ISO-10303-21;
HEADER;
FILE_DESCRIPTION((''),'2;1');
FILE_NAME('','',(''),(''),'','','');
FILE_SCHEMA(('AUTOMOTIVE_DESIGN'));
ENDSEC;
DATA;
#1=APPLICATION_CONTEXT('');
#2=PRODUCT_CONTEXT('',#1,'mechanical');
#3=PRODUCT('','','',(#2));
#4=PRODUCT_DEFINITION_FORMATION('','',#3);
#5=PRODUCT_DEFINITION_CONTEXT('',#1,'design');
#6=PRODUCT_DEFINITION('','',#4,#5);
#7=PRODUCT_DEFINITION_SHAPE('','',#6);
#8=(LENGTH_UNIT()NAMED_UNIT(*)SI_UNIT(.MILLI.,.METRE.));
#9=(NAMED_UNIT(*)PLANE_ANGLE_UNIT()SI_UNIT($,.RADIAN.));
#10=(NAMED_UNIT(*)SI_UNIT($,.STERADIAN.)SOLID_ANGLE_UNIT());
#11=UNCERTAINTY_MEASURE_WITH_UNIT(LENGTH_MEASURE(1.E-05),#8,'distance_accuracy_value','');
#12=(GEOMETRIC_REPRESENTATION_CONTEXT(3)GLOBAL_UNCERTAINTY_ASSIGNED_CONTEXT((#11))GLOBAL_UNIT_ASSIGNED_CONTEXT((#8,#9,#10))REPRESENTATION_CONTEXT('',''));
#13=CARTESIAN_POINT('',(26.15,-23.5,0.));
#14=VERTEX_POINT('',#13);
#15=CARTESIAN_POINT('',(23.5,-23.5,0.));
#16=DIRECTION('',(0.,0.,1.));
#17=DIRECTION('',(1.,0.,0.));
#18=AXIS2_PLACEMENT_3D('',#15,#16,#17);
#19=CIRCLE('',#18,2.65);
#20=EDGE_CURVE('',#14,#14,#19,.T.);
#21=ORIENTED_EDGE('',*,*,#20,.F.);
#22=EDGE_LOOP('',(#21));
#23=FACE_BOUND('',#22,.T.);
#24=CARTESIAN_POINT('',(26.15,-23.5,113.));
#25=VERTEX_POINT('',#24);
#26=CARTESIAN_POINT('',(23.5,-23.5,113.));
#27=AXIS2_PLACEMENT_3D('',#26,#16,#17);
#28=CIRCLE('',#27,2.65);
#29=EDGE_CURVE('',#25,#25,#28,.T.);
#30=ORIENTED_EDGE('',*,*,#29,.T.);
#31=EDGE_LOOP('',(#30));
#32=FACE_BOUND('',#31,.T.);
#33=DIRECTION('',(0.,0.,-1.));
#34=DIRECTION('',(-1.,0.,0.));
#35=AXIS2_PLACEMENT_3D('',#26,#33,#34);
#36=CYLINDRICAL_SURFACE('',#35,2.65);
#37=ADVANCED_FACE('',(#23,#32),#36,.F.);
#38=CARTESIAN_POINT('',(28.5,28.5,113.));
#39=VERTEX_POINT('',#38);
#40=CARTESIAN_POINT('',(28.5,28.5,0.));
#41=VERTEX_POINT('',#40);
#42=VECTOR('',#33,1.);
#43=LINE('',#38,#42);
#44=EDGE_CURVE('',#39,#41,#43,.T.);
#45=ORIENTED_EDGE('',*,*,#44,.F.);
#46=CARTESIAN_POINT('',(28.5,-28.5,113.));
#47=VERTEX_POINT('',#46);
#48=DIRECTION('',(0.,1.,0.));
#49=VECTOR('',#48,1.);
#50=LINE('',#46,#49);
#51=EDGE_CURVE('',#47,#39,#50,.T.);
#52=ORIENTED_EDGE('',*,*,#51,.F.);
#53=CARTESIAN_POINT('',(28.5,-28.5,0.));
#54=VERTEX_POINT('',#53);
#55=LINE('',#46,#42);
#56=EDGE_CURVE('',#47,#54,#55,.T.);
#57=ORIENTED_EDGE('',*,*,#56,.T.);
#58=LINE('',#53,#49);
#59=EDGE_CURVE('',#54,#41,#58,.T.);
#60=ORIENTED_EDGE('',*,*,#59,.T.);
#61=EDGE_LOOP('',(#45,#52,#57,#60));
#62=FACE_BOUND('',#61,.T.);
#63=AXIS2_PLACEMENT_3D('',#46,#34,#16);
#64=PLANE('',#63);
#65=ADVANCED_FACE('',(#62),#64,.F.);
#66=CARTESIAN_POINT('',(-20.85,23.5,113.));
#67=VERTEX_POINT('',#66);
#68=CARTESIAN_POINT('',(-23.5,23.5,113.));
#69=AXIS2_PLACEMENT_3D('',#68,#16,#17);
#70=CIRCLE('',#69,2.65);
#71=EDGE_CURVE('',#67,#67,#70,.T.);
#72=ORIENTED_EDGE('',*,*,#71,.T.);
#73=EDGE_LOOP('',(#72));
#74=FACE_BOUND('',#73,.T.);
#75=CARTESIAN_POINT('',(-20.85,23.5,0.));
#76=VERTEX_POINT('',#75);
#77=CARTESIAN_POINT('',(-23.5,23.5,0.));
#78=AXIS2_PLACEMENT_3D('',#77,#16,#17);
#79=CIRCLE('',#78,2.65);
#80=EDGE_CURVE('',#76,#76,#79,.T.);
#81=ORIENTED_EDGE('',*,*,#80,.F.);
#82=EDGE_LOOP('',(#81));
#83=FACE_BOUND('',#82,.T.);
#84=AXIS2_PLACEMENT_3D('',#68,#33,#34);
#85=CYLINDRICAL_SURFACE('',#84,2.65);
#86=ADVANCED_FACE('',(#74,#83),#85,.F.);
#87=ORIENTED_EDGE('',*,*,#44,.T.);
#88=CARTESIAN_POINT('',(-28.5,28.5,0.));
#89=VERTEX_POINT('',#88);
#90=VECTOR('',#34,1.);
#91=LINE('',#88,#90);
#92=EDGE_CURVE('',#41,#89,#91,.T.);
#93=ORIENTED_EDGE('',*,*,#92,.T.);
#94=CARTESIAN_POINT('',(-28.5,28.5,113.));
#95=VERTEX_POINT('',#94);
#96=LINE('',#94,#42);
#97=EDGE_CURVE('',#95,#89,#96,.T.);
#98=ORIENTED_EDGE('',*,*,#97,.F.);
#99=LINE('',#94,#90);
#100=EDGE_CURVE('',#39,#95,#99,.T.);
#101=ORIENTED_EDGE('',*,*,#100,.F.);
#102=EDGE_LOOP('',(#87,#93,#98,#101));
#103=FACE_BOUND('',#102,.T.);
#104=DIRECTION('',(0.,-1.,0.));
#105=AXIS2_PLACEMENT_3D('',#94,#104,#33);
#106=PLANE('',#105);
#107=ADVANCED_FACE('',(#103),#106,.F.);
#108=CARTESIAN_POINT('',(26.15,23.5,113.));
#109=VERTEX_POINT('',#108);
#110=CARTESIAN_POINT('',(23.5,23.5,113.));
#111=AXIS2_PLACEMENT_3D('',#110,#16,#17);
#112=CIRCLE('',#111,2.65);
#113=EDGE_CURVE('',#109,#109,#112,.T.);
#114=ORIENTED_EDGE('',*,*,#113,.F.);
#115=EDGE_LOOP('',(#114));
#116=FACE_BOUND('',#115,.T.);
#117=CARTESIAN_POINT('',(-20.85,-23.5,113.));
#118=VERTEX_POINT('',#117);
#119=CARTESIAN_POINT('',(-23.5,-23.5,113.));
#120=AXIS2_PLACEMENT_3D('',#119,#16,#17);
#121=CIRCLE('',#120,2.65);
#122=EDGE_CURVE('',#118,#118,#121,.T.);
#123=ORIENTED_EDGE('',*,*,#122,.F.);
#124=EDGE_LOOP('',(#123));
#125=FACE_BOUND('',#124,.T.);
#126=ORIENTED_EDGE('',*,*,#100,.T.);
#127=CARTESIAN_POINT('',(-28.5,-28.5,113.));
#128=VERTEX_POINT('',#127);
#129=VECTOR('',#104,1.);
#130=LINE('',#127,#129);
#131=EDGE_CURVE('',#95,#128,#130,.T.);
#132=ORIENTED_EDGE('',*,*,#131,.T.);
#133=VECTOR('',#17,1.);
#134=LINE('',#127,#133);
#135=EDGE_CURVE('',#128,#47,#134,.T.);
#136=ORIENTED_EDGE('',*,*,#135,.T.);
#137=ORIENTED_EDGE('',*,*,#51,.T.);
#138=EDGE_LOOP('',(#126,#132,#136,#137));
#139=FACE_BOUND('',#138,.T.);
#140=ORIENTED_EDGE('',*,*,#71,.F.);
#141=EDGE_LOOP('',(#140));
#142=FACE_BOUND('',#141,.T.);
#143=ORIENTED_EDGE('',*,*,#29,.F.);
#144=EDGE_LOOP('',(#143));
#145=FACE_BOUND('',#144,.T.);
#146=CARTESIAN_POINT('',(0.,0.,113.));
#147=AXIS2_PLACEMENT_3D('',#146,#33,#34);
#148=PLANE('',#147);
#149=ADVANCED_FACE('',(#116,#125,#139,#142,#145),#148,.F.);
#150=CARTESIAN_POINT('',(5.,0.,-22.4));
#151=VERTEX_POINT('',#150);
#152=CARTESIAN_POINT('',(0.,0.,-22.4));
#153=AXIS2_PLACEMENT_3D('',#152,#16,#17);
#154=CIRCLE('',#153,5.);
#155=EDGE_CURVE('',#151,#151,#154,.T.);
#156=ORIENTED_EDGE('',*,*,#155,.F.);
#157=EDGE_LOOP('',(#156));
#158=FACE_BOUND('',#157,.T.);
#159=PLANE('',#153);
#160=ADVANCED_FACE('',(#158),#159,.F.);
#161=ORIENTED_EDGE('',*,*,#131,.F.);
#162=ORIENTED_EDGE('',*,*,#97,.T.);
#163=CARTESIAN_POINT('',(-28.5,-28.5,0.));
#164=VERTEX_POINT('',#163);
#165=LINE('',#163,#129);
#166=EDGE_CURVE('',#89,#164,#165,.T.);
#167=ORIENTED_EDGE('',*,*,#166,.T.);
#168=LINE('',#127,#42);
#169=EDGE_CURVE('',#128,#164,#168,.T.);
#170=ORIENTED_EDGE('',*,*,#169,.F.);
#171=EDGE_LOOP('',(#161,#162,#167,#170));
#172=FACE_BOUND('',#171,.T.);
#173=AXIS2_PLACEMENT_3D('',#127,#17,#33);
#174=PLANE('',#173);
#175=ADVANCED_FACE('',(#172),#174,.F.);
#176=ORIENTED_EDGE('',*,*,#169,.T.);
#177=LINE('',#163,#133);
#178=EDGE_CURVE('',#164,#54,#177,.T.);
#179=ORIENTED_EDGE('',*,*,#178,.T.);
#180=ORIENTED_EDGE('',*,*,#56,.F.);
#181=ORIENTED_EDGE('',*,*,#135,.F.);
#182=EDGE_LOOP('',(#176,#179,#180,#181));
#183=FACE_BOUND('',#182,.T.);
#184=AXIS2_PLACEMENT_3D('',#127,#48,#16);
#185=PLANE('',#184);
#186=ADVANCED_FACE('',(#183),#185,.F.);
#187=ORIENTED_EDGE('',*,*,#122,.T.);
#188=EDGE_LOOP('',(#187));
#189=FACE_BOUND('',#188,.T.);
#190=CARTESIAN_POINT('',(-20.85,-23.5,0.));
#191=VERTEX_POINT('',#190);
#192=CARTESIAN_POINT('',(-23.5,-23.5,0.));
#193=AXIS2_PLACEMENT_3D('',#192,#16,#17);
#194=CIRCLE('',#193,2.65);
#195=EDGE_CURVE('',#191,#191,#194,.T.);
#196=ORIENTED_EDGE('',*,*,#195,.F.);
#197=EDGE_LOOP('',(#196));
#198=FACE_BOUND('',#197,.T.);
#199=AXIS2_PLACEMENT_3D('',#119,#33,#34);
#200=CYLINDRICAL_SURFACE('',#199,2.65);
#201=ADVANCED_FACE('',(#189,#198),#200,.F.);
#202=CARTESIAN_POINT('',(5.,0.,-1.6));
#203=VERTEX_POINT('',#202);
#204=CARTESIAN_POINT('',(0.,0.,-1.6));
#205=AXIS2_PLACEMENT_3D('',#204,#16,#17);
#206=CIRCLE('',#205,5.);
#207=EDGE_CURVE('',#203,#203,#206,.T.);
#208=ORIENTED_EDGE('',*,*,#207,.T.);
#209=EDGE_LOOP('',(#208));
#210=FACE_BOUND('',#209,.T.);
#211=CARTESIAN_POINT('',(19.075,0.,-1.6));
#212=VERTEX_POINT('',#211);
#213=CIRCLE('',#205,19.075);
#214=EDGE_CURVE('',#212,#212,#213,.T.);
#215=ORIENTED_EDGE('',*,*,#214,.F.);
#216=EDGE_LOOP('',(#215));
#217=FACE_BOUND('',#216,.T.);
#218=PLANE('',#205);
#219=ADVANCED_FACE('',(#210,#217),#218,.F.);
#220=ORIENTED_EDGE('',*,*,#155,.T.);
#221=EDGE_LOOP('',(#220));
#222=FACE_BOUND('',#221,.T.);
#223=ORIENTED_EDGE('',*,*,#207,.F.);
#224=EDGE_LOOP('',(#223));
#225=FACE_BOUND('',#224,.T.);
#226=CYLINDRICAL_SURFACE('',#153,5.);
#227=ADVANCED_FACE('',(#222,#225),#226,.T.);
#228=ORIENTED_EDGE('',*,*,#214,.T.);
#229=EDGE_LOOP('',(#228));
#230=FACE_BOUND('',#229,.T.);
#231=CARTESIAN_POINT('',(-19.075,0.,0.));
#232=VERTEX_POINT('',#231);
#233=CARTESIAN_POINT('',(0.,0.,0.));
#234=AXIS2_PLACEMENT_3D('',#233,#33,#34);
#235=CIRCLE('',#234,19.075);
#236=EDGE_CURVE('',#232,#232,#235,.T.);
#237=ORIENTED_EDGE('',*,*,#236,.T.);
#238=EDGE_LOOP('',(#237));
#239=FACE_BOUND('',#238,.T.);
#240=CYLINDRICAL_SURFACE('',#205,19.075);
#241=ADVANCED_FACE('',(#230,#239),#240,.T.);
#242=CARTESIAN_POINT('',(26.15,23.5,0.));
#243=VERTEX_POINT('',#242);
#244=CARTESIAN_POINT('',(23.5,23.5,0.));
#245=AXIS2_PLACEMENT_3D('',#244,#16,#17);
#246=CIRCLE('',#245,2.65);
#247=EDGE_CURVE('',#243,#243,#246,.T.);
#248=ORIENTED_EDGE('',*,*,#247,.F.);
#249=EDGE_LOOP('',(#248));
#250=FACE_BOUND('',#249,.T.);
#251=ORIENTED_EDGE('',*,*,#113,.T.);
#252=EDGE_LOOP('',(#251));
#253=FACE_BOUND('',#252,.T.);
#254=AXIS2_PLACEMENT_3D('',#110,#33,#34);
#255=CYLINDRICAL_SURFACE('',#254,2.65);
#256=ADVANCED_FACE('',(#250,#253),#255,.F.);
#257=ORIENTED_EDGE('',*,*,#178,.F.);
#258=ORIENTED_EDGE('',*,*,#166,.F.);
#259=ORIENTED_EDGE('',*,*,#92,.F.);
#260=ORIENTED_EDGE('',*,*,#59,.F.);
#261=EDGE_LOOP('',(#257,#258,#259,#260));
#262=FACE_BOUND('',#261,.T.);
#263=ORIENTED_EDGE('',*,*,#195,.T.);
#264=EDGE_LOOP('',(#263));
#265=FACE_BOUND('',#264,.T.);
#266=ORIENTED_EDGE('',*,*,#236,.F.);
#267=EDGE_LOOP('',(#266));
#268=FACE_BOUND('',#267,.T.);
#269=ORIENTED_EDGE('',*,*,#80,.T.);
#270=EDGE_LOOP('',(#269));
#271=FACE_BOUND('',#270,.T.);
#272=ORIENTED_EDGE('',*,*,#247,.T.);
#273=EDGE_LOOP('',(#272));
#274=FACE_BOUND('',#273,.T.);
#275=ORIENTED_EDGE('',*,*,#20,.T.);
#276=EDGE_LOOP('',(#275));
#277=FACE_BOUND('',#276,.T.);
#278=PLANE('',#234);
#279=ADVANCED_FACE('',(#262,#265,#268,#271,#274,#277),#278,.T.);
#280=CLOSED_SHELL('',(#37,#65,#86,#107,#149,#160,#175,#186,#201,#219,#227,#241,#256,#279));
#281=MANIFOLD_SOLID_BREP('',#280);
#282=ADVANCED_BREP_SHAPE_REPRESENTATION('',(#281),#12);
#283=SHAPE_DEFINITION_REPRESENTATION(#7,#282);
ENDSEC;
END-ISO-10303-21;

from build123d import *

# Parameters (mm, degrees)
SKETCH1_W           = 57
SKETCH1_H           = 57
SKETCH1_R           = 2.65
BOSS_EXTRUDE1_DEPTH = 113
SKETCH2_R           = 19.075
BOSS_EXTRUDE2_DEPTH = 1.6
SKETCH3_R           = 5
BOSS_EXTRUDE3_DEPTH = 22.4


with BuildPart() as part:
    # Sketch1 → Boss-Extrude1 (new body)
    with BuildSketch(Plane.XY):
        Rectangle(SKETCH1_W, SKETCH1_H)
        with Locations((-23.5, 23.5)):
            Circle(SKETCH1_R, mode=Mode.SUBTRACT)
        with Locations((23.5, 23.5)):
            Circle(SKETCH1_R, mode=Mode.SUBTRACT)
        with Locations((23.5, -23.5)):
            Circle(SKETCH1_R, mode=Mode.SUBTRACT)
        with Locations((-23.5, -23.5)):
            Circle(SKETCH1_R, mode=Mode.SUBTRACT)
    extrude(amount=BOSS_EXTRUDE1_DEPTH)

    # Sketch2 → Boss-Extrude2 (add)
    with BuildSketch(Plane.XY):
        Circle(SKETCH2_R)
    extrude(amount=-BOSS_EXTRUDE2_DEPTH)

    # Sketch3 → Boss-Extrude3 (add)
    with BuildSketch(Plane.XY):
        Circle(SKETCH3_R)
    extrude(amount=-BOSS_EXTRUDE3_DEPTH)


solid = part.part
